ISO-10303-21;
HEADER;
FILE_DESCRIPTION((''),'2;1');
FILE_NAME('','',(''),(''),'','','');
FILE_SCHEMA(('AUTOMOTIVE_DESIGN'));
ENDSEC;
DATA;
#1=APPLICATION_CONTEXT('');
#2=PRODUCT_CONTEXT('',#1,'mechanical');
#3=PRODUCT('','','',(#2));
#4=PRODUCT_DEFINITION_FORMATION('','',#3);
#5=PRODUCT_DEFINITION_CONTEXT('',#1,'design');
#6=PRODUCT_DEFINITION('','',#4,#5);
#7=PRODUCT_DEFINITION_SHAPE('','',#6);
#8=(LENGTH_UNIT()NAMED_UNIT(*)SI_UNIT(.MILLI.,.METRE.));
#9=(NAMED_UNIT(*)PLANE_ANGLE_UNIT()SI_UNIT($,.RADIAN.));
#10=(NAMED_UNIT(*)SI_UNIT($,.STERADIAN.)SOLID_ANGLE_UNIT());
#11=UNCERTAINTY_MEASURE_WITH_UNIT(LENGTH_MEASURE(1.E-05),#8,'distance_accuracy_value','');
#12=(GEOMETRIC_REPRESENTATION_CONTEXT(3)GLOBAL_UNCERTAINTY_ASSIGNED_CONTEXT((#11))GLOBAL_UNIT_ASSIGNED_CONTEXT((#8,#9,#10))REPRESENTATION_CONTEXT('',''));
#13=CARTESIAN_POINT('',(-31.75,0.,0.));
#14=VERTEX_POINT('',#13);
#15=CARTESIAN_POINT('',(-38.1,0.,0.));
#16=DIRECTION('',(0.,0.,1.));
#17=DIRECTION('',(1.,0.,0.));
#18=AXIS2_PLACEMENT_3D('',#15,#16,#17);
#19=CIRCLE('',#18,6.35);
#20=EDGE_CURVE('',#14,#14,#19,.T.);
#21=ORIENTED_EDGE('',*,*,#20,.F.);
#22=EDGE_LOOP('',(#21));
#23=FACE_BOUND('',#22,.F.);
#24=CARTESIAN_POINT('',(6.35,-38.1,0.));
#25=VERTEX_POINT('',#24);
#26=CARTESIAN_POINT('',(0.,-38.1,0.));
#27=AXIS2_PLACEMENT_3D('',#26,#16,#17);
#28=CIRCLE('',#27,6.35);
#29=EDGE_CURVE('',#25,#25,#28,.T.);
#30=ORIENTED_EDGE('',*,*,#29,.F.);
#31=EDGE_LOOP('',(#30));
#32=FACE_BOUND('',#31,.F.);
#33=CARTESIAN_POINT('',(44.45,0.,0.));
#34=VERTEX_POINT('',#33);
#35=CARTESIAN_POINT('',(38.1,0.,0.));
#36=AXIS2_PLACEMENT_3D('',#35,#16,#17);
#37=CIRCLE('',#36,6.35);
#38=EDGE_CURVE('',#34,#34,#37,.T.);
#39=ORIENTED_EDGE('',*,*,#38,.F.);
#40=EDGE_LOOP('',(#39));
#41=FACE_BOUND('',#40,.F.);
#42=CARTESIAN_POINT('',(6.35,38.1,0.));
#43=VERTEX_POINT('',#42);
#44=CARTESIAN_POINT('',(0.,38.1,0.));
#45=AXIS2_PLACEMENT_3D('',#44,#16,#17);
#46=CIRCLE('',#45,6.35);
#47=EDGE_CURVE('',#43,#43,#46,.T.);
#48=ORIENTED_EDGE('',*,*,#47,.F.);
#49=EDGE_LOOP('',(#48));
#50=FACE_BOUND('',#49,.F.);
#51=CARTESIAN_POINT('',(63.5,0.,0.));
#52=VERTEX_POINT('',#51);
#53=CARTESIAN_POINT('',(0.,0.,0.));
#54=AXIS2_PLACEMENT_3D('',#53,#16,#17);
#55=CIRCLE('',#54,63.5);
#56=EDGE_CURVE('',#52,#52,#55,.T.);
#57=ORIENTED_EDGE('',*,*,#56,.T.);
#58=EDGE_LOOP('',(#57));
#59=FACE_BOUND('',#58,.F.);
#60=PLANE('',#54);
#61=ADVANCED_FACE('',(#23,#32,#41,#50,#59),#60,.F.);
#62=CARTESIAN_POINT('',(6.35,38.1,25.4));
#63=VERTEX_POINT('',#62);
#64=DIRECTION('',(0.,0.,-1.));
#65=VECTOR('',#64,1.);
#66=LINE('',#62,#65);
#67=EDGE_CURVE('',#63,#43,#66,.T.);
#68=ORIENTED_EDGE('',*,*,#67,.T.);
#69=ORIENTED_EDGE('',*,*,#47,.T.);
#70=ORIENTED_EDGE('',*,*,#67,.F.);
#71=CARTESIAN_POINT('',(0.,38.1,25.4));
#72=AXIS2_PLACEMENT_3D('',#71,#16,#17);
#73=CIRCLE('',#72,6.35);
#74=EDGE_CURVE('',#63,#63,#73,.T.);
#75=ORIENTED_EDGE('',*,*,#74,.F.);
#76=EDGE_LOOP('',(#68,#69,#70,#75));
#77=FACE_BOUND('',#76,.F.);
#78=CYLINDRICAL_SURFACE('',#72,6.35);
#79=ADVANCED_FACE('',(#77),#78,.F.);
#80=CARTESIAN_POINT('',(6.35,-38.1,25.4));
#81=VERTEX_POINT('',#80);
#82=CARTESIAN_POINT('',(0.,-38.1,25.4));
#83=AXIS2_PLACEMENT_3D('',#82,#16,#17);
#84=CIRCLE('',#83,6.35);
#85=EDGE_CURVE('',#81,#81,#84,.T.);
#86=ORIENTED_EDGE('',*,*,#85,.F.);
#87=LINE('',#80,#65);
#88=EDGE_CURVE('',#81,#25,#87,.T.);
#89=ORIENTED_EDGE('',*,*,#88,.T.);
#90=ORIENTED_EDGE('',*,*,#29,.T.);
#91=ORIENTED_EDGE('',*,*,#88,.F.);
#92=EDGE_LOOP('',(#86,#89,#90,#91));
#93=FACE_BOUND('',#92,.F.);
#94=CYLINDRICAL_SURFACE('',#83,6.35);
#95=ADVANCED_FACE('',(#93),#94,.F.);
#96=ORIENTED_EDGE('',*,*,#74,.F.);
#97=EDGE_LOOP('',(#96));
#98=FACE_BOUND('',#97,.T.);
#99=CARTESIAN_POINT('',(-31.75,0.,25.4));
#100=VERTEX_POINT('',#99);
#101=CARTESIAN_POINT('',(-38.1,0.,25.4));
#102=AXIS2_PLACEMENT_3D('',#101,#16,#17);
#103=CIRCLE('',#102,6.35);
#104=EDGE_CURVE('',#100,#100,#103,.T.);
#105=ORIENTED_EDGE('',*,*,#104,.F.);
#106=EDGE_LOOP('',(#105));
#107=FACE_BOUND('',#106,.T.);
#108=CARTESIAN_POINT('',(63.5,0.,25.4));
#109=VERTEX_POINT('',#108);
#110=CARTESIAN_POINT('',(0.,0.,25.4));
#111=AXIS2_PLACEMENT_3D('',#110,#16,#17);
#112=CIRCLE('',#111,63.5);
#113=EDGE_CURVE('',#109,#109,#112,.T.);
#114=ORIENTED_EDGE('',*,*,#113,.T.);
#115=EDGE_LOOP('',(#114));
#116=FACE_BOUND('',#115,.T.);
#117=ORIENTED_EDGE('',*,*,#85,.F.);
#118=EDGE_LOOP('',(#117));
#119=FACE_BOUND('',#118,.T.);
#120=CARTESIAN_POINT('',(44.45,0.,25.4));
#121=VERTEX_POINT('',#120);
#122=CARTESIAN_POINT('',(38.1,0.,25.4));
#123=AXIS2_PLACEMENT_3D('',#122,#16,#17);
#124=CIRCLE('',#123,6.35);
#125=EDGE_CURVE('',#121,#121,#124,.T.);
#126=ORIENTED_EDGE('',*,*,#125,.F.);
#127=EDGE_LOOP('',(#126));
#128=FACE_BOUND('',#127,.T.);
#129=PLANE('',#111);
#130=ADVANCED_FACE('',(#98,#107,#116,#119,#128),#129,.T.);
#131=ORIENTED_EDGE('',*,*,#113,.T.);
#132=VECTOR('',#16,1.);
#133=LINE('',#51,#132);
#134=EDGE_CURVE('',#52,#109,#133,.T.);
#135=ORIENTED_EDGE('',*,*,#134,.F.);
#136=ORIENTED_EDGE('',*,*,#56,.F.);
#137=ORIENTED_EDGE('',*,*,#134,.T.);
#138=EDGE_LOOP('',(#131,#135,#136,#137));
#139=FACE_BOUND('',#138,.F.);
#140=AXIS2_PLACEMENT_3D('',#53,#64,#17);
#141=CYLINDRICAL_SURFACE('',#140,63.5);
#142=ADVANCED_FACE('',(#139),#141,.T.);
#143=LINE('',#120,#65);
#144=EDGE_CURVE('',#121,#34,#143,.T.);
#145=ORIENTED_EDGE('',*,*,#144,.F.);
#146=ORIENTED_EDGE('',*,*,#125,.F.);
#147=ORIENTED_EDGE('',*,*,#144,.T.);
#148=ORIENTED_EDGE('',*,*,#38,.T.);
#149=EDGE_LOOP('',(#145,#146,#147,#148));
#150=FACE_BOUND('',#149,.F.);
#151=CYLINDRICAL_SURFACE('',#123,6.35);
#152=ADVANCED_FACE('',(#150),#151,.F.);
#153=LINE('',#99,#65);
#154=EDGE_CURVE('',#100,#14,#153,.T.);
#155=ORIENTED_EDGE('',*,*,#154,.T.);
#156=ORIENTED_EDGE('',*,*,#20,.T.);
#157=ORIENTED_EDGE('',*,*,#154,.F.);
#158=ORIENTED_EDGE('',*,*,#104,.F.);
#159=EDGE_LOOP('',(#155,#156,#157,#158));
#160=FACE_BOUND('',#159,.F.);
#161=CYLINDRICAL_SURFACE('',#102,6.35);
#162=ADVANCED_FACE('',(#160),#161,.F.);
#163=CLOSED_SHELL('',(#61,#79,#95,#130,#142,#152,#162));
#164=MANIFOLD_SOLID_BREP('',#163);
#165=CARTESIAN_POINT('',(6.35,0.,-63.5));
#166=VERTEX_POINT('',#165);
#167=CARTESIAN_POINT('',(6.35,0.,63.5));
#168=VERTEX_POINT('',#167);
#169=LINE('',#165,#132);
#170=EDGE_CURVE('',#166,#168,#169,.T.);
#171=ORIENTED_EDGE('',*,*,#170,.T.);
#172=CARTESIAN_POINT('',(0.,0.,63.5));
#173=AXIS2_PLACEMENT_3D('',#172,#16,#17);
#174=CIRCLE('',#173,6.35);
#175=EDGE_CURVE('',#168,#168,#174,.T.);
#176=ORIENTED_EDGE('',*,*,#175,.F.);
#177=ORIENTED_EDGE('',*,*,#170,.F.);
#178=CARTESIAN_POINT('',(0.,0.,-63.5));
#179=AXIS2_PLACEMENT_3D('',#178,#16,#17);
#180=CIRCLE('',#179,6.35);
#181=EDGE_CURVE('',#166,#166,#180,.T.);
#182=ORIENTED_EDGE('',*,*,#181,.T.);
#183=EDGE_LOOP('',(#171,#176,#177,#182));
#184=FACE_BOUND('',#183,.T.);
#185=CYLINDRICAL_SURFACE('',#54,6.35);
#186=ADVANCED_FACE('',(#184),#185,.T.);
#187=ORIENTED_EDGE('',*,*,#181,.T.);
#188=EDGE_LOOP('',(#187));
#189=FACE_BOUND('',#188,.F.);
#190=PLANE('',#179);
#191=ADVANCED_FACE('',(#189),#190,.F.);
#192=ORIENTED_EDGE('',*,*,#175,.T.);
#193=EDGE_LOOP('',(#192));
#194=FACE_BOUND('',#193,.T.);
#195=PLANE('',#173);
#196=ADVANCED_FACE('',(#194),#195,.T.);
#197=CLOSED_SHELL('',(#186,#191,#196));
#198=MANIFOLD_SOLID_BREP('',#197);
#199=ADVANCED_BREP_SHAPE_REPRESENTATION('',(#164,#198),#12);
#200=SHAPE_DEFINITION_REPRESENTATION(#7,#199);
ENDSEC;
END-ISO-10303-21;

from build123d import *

# Parameters (mm, degrees)
F0_R     = 63.5
F1_DEPTH = 25.4
F2_R     = 6.35
F3_DEPTH = 25.401
F4_R     = 6.35
F5_DEPTH = 63.5


with BuildPart() as f1:
    # F0 (on Top) → F1 (new body)
    with BuildSketch(Plane.XY):
        Circle(F0_R)
    extrude(amount=F1_DEPTH)

    # F2 (on face) → F3 (cut, through all)
    with BuildSketch(Plane.XY.offset(25.4)):
        with Locations((-38.1, 0)):
            Circle(F2_R)
        with Locations((0, -38.1)):
            Circle(F2_R)
        with Locations((38.1, 0)):
            Circle(F2_R)
        with Locations((0, 38.1)):
            Circle(F2_R)
    extrude(amount=-F3_DEPTH, mode=Mode.SUBTRACT)


with BuildPart() as f5:
    # F4 (on Top) → F5 (new body, symmetric)
    with BuildSketch(Plane.XY):
        Circle(F4_R)
    extrude(amount=F5_DEPTH, both=True)


solid = Compound([f1.part, f5.part])
